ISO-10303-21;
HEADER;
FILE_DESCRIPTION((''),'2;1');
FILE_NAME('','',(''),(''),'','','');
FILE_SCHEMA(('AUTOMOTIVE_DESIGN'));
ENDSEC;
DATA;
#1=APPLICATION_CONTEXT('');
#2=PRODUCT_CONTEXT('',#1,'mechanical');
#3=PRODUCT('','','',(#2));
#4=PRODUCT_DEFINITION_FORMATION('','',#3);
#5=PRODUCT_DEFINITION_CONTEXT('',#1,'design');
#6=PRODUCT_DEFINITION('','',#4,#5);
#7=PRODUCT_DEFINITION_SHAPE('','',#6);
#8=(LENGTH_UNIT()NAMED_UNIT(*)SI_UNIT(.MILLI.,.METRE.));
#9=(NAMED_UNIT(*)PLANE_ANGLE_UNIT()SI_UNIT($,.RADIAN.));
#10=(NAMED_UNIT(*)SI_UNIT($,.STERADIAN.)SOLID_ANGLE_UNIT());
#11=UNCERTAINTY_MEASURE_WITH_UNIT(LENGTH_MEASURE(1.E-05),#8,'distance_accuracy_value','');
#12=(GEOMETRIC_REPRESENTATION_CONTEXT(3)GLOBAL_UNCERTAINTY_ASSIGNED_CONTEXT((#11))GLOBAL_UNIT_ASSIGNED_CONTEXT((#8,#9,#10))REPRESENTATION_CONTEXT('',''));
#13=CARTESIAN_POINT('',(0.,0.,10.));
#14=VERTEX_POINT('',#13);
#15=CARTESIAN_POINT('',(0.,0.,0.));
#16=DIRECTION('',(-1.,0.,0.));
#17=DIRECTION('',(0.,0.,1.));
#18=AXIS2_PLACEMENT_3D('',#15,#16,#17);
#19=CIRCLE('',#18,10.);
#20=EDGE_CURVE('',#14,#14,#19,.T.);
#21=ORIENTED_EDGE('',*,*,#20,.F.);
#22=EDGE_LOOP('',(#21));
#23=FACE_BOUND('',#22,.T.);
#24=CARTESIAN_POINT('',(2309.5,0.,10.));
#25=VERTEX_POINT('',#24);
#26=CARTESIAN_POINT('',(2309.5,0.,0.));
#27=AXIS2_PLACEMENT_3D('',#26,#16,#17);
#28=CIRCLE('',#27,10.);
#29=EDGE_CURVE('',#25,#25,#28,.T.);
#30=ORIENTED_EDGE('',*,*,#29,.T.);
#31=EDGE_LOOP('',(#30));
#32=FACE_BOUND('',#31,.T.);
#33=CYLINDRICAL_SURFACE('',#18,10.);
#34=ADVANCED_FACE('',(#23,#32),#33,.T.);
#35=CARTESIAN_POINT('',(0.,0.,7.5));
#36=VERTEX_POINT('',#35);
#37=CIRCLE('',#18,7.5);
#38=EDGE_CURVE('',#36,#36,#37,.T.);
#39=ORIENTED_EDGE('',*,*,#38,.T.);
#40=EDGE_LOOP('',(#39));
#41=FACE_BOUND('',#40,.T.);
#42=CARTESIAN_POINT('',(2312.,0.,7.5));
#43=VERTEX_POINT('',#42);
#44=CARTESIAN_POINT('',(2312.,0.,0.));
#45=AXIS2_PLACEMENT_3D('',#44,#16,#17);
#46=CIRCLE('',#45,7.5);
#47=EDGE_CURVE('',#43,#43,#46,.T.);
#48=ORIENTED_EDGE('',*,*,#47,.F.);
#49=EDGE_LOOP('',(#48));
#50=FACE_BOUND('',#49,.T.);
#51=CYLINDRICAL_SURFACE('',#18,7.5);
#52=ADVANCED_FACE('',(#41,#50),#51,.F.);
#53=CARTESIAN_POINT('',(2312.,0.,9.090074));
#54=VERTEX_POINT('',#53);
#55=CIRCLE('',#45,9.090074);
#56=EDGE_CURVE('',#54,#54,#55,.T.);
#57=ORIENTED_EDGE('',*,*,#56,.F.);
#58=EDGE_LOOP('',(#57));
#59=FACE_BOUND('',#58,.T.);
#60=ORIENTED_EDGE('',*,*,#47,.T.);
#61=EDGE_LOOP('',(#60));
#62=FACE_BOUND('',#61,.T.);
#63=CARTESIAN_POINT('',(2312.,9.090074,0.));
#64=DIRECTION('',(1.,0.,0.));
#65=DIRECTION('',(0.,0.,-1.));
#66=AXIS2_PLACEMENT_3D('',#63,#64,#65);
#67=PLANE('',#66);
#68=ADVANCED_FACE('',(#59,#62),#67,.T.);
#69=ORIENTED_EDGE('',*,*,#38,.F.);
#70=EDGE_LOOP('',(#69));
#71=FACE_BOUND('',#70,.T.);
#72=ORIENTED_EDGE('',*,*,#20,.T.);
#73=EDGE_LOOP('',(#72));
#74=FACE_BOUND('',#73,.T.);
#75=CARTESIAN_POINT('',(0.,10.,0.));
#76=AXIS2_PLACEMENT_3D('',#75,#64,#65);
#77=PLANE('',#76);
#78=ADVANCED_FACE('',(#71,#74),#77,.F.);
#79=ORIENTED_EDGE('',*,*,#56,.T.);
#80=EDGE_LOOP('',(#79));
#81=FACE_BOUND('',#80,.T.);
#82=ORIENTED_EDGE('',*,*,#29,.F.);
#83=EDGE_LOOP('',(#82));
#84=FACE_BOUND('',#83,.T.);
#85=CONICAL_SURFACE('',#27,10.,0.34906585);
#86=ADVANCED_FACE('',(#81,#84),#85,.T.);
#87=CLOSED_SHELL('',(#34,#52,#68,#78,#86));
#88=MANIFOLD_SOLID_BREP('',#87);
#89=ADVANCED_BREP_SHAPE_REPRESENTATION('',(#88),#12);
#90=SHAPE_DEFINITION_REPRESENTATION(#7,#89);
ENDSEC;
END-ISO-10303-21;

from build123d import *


with BuildPart() as part:
    # Sketch1 → Base-Revolve (revolve)
    with BuildSketch(Plane.XY):
        Polygon((0, 10), (0, 7.5), (2312, 7.5), (2312, 9.090074414), (2309.5, 10), align=None)
    revolve(axis=Axis((0, 0, 0), (1, 0, 0)))


solid = part.part
